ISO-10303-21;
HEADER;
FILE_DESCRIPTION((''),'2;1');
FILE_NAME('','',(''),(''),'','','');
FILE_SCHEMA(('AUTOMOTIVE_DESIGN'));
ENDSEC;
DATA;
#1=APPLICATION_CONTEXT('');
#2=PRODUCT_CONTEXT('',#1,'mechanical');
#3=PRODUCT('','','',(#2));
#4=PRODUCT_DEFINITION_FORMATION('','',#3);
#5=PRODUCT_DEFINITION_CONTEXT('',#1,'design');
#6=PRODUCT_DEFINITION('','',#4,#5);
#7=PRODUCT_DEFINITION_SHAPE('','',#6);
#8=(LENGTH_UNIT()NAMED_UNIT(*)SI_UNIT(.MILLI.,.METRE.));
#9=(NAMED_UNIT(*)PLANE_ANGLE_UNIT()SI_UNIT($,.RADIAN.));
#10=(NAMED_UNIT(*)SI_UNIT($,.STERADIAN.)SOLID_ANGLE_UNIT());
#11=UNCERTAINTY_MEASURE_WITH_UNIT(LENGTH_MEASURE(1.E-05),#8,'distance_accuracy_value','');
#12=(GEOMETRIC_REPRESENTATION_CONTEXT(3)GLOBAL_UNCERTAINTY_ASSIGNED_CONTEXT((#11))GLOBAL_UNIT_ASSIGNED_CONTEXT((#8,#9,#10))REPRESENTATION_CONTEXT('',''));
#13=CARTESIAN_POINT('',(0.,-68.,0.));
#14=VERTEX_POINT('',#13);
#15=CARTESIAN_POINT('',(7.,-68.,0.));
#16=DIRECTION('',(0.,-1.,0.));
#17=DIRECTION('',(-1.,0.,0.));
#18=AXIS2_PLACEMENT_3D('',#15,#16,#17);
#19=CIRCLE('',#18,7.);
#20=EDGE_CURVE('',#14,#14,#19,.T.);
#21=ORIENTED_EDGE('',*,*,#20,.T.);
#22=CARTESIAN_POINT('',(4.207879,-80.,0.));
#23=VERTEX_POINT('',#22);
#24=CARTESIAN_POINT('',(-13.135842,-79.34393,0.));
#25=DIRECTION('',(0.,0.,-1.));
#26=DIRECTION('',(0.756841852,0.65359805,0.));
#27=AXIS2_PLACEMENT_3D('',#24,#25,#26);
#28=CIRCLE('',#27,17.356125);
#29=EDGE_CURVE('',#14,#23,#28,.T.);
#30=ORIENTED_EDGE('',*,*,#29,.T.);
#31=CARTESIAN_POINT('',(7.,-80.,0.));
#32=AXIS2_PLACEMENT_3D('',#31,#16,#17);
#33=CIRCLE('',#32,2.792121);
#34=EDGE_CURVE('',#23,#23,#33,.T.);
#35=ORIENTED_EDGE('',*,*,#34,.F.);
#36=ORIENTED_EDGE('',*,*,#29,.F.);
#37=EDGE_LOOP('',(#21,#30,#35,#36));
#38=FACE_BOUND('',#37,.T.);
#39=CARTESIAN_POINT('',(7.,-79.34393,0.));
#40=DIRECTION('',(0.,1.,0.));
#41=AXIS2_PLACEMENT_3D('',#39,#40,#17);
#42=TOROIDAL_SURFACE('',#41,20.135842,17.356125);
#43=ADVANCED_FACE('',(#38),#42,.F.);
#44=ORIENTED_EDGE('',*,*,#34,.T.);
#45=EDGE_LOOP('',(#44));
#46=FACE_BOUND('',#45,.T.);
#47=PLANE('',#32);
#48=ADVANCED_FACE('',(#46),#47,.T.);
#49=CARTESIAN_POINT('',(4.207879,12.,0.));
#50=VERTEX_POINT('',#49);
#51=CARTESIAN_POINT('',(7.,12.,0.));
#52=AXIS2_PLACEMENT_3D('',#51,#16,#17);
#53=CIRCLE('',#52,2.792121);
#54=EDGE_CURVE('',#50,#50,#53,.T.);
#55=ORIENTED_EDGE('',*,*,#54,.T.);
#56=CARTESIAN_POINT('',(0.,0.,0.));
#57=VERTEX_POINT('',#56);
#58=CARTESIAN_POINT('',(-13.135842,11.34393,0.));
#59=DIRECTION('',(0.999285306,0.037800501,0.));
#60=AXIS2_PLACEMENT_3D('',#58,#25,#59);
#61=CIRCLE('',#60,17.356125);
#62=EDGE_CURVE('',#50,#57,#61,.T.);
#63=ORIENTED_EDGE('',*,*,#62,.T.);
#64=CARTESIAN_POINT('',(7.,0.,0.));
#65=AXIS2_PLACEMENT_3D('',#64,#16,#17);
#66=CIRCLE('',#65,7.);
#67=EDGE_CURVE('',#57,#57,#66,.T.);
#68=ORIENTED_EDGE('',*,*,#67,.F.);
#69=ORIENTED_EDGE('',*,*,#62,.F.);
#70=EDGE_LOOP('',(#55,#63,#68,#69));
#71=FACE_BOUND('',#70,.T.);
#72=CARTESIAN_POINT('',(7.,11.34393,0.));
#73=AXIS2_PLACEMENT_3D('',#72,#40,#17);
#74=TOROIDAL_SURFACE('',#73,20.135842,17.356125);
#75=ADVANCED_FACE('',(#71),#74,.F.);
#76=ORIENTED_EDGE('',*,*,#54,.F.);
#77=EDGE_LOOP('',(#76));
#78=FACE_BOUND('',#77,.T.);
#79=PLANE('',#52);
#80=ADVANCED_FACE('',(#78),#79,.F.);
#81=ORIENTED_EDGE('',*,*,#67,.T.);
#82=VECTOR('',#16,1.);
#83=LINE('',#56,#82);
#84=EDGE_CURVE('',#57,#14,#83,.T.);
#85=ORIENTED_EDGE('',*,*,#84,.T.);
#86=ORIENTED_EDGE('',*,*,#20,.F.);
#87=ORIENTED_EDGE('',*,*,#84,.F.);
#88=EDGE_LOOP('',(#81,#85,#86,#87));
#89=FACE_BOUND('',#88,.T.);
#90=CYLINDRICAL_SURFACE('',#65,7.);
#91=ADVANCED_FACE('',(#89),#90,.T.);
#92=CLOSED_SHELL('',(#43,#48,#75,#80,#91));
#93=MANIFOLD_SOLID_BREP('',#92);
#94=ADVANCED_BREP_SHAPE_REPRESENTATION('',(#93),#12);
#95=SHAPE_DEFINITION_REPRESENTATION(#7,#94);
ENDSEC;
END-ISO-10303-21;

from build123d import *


with BuildPart() as f1:
    # F0 (on Top) → F1 (revolve)
    with BuildSketch(Plane.XY):
        with BuildLine():
            ThreePointArc((4.207879, 12), (3.242526, 5.600747), (0, 0))
            Line((0, 0), (0, -34))
            Line((0, -34), (7, -34))
            Line((7, -34), (7, 12))
            Line((7, 12), (4.207879, 12))
        make_face()
        with BuildLine():
            Line((7, -34), (0, -34))
            Line((0, -34), (0, -68))
            ThreePointArc((0, -68), (3.242526, -73.600747), (4.207879, -80))
            Line((4.207879, -80), (7, -80))
            Line((7, -80), (7, -34))
        make_face()
    revolve(axis=Axis((7, -11, 0), (0, -1, 0)))


solid = f1.part
